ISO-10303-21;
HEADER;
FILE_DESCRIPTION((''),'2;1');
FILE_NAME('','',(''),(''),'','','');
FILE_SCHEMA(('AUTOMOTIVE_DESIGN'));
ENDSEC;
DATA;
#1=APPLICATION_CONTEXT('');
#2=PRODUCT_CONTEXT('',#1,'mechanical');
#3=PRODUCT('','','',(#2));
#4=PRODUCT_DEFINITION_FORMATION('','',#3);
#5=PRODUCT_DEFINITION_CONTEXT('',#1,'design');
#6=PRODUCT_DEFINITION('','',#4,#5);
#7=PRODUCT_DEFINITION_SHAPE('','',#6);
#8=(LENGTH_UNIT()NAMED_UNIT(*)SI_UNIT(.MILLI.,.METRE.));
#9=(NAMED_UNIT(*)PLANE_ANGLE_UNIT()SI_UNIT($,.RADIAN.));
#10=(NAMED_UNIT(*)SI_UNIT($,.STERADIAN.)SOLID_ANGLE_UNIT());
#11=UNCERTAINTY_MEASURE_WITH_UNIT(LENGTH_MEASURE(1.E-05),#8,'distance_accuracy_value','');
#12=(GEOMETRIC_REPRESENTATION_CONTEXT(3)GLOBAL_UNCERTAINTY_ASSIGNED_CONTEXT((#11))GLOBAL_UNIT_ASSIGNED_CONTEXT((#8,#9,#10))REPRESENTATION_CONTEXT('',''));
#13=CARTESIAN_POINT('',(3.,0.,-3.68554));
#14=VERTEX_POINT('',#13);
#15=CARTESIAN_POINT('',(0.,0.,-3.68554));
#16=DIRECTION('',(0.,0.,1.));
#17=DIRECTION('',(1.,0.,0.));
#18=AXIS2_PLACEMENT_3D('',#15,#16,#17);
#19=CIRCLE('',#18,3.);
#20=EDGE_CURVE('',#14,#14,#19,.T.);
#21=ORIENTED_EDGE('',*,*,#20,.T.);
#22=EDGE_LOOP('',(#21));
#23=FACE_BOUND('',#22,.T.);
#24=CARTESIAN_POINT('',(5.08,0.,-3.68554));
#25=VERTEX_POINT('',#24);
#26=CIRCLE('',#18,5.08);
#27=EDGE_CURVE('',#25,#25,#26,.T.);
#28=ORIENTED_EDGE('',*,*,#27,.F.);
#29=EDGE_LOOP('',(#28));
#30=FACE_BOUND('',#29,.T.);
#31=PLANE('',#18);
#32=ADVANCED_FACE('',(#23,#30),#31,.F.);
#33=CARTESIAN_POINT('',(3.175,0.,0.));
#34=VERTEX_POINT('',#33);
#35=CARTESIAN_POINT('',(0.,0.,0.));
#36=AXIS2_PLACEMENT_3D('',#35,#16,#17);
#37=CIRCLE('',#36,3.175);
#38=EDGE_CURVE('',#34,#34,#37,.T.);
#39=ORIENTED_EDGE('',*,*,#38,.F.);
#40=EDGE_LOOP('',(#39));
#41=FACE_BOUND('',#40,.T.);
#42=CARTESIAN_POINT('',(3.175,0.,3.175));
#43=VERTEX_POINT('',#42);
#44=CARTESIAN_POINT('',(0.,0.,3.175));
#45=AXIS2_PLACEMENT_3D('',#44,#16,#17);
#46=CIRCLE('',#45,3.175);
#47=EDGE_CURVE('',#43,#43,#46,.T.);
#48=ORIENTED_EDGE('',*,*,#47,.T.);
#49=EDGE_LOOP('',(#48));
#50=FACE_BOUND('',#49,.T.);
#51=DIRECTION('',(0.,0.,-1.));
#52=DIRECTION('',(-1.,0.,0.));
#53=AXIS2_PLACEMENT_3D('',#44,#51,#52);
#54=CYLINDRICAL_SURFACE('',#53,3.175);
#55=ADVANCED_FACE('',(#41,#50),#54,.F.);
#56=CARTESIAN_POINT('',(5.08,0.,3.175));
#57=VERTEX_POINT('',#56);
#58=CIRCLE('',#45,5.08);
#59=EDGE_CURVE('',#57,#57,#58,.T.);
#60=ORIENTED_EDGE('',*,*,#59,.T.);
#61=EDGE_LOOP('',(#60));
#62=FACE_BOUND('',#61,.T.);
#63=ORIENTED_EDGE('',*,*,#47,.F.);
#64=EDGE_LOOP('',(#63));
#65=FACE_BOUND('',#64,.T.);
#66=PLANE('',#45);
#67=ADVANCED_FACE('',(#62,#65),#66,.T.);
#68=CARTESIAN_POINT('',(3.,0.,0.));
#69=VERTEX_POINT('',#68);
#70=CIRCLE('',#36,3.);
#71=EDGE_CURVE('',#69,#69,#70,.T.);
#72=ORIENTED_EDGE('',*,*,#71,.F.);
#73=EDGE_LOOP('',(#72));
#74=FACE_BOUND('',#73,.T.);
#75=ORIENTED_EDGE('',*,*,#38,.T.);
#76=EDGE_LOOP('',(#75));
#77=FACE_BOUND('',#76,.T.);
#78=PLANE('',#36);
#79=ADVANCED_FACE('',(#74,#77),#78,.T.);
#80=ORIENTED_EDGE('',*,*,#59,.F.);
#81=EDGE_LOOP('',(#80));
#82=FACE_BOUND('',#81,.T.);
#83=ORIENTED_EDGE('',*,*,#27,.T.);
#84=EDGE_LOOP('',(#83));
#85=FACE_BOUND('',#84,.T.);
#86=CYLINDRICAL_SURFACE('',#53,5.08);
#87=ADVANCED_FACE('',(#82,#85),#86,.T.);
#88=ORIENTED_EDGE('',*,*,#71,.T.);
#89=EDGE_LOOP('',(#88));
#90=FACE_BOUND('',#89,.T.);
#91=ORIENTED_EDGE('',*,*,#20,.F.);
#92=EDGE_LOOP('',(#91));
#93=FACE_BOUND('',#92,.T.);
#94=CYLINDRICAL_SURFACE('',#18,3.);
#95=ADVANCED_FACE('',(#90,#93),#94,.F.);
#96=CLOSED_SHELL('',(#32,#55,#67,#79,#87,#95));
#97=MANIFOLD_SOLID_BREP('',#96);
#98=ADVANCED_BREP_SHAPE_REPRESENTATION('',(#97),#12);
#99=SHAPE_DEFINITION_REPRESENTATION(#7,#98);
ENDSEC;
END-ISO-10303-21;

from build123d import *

# Parameters (mm, degrees)
SKETCH1_R           = 5.08
SKETCH1_R_2         = 3.175
BOSS_EXTRUDE1_DEPTH = 3.175
BOSS_EXTRUDE2_START = -3.68554
SKETCH1_3_R         = 5.08
SKETCH1_3_R_2       = 3.175
SKETCH1_3_R_3       = 3
BOSS_EXTRUDE2_DEPTH = 3.68554


with BuildPart() as part:
    # Sketch1 → Boss-Extrude1 (new body)
    with BuildSketch(Plane.XY):
        Circle(SKETCH1_R)
        Circle(SKETCH1_R_2, mode=Mode.SUBTRACT)
    extrude(amount=BOSS_EXTRUDE1_DEPTH)

    # Sketch1<3> → Boss-Extrude2 (add)
    # profile 1 of 2: a face of its own
    with BuildSketch(Plane.XY.offset(BOSS_EXTRUDE2_START)):
        Circle(SKETCH1_3_R)
        Circle(SKETCH1_3_R_2, mode=Mode.SUBTRACT)
    # profile 2 of 2: a face of its own
    with BuildSketch(Plane.XY.offset(BOSS_EXTRUDE2_START)):
        Circle(SKETCH1_3_R_2)
        Circle(SKETCH1_3_R_3, mode=Mode.SUBTRACT)
    extrude(amount=BOSS_EXTRUDE2_DEPTH)


solid = part.part
